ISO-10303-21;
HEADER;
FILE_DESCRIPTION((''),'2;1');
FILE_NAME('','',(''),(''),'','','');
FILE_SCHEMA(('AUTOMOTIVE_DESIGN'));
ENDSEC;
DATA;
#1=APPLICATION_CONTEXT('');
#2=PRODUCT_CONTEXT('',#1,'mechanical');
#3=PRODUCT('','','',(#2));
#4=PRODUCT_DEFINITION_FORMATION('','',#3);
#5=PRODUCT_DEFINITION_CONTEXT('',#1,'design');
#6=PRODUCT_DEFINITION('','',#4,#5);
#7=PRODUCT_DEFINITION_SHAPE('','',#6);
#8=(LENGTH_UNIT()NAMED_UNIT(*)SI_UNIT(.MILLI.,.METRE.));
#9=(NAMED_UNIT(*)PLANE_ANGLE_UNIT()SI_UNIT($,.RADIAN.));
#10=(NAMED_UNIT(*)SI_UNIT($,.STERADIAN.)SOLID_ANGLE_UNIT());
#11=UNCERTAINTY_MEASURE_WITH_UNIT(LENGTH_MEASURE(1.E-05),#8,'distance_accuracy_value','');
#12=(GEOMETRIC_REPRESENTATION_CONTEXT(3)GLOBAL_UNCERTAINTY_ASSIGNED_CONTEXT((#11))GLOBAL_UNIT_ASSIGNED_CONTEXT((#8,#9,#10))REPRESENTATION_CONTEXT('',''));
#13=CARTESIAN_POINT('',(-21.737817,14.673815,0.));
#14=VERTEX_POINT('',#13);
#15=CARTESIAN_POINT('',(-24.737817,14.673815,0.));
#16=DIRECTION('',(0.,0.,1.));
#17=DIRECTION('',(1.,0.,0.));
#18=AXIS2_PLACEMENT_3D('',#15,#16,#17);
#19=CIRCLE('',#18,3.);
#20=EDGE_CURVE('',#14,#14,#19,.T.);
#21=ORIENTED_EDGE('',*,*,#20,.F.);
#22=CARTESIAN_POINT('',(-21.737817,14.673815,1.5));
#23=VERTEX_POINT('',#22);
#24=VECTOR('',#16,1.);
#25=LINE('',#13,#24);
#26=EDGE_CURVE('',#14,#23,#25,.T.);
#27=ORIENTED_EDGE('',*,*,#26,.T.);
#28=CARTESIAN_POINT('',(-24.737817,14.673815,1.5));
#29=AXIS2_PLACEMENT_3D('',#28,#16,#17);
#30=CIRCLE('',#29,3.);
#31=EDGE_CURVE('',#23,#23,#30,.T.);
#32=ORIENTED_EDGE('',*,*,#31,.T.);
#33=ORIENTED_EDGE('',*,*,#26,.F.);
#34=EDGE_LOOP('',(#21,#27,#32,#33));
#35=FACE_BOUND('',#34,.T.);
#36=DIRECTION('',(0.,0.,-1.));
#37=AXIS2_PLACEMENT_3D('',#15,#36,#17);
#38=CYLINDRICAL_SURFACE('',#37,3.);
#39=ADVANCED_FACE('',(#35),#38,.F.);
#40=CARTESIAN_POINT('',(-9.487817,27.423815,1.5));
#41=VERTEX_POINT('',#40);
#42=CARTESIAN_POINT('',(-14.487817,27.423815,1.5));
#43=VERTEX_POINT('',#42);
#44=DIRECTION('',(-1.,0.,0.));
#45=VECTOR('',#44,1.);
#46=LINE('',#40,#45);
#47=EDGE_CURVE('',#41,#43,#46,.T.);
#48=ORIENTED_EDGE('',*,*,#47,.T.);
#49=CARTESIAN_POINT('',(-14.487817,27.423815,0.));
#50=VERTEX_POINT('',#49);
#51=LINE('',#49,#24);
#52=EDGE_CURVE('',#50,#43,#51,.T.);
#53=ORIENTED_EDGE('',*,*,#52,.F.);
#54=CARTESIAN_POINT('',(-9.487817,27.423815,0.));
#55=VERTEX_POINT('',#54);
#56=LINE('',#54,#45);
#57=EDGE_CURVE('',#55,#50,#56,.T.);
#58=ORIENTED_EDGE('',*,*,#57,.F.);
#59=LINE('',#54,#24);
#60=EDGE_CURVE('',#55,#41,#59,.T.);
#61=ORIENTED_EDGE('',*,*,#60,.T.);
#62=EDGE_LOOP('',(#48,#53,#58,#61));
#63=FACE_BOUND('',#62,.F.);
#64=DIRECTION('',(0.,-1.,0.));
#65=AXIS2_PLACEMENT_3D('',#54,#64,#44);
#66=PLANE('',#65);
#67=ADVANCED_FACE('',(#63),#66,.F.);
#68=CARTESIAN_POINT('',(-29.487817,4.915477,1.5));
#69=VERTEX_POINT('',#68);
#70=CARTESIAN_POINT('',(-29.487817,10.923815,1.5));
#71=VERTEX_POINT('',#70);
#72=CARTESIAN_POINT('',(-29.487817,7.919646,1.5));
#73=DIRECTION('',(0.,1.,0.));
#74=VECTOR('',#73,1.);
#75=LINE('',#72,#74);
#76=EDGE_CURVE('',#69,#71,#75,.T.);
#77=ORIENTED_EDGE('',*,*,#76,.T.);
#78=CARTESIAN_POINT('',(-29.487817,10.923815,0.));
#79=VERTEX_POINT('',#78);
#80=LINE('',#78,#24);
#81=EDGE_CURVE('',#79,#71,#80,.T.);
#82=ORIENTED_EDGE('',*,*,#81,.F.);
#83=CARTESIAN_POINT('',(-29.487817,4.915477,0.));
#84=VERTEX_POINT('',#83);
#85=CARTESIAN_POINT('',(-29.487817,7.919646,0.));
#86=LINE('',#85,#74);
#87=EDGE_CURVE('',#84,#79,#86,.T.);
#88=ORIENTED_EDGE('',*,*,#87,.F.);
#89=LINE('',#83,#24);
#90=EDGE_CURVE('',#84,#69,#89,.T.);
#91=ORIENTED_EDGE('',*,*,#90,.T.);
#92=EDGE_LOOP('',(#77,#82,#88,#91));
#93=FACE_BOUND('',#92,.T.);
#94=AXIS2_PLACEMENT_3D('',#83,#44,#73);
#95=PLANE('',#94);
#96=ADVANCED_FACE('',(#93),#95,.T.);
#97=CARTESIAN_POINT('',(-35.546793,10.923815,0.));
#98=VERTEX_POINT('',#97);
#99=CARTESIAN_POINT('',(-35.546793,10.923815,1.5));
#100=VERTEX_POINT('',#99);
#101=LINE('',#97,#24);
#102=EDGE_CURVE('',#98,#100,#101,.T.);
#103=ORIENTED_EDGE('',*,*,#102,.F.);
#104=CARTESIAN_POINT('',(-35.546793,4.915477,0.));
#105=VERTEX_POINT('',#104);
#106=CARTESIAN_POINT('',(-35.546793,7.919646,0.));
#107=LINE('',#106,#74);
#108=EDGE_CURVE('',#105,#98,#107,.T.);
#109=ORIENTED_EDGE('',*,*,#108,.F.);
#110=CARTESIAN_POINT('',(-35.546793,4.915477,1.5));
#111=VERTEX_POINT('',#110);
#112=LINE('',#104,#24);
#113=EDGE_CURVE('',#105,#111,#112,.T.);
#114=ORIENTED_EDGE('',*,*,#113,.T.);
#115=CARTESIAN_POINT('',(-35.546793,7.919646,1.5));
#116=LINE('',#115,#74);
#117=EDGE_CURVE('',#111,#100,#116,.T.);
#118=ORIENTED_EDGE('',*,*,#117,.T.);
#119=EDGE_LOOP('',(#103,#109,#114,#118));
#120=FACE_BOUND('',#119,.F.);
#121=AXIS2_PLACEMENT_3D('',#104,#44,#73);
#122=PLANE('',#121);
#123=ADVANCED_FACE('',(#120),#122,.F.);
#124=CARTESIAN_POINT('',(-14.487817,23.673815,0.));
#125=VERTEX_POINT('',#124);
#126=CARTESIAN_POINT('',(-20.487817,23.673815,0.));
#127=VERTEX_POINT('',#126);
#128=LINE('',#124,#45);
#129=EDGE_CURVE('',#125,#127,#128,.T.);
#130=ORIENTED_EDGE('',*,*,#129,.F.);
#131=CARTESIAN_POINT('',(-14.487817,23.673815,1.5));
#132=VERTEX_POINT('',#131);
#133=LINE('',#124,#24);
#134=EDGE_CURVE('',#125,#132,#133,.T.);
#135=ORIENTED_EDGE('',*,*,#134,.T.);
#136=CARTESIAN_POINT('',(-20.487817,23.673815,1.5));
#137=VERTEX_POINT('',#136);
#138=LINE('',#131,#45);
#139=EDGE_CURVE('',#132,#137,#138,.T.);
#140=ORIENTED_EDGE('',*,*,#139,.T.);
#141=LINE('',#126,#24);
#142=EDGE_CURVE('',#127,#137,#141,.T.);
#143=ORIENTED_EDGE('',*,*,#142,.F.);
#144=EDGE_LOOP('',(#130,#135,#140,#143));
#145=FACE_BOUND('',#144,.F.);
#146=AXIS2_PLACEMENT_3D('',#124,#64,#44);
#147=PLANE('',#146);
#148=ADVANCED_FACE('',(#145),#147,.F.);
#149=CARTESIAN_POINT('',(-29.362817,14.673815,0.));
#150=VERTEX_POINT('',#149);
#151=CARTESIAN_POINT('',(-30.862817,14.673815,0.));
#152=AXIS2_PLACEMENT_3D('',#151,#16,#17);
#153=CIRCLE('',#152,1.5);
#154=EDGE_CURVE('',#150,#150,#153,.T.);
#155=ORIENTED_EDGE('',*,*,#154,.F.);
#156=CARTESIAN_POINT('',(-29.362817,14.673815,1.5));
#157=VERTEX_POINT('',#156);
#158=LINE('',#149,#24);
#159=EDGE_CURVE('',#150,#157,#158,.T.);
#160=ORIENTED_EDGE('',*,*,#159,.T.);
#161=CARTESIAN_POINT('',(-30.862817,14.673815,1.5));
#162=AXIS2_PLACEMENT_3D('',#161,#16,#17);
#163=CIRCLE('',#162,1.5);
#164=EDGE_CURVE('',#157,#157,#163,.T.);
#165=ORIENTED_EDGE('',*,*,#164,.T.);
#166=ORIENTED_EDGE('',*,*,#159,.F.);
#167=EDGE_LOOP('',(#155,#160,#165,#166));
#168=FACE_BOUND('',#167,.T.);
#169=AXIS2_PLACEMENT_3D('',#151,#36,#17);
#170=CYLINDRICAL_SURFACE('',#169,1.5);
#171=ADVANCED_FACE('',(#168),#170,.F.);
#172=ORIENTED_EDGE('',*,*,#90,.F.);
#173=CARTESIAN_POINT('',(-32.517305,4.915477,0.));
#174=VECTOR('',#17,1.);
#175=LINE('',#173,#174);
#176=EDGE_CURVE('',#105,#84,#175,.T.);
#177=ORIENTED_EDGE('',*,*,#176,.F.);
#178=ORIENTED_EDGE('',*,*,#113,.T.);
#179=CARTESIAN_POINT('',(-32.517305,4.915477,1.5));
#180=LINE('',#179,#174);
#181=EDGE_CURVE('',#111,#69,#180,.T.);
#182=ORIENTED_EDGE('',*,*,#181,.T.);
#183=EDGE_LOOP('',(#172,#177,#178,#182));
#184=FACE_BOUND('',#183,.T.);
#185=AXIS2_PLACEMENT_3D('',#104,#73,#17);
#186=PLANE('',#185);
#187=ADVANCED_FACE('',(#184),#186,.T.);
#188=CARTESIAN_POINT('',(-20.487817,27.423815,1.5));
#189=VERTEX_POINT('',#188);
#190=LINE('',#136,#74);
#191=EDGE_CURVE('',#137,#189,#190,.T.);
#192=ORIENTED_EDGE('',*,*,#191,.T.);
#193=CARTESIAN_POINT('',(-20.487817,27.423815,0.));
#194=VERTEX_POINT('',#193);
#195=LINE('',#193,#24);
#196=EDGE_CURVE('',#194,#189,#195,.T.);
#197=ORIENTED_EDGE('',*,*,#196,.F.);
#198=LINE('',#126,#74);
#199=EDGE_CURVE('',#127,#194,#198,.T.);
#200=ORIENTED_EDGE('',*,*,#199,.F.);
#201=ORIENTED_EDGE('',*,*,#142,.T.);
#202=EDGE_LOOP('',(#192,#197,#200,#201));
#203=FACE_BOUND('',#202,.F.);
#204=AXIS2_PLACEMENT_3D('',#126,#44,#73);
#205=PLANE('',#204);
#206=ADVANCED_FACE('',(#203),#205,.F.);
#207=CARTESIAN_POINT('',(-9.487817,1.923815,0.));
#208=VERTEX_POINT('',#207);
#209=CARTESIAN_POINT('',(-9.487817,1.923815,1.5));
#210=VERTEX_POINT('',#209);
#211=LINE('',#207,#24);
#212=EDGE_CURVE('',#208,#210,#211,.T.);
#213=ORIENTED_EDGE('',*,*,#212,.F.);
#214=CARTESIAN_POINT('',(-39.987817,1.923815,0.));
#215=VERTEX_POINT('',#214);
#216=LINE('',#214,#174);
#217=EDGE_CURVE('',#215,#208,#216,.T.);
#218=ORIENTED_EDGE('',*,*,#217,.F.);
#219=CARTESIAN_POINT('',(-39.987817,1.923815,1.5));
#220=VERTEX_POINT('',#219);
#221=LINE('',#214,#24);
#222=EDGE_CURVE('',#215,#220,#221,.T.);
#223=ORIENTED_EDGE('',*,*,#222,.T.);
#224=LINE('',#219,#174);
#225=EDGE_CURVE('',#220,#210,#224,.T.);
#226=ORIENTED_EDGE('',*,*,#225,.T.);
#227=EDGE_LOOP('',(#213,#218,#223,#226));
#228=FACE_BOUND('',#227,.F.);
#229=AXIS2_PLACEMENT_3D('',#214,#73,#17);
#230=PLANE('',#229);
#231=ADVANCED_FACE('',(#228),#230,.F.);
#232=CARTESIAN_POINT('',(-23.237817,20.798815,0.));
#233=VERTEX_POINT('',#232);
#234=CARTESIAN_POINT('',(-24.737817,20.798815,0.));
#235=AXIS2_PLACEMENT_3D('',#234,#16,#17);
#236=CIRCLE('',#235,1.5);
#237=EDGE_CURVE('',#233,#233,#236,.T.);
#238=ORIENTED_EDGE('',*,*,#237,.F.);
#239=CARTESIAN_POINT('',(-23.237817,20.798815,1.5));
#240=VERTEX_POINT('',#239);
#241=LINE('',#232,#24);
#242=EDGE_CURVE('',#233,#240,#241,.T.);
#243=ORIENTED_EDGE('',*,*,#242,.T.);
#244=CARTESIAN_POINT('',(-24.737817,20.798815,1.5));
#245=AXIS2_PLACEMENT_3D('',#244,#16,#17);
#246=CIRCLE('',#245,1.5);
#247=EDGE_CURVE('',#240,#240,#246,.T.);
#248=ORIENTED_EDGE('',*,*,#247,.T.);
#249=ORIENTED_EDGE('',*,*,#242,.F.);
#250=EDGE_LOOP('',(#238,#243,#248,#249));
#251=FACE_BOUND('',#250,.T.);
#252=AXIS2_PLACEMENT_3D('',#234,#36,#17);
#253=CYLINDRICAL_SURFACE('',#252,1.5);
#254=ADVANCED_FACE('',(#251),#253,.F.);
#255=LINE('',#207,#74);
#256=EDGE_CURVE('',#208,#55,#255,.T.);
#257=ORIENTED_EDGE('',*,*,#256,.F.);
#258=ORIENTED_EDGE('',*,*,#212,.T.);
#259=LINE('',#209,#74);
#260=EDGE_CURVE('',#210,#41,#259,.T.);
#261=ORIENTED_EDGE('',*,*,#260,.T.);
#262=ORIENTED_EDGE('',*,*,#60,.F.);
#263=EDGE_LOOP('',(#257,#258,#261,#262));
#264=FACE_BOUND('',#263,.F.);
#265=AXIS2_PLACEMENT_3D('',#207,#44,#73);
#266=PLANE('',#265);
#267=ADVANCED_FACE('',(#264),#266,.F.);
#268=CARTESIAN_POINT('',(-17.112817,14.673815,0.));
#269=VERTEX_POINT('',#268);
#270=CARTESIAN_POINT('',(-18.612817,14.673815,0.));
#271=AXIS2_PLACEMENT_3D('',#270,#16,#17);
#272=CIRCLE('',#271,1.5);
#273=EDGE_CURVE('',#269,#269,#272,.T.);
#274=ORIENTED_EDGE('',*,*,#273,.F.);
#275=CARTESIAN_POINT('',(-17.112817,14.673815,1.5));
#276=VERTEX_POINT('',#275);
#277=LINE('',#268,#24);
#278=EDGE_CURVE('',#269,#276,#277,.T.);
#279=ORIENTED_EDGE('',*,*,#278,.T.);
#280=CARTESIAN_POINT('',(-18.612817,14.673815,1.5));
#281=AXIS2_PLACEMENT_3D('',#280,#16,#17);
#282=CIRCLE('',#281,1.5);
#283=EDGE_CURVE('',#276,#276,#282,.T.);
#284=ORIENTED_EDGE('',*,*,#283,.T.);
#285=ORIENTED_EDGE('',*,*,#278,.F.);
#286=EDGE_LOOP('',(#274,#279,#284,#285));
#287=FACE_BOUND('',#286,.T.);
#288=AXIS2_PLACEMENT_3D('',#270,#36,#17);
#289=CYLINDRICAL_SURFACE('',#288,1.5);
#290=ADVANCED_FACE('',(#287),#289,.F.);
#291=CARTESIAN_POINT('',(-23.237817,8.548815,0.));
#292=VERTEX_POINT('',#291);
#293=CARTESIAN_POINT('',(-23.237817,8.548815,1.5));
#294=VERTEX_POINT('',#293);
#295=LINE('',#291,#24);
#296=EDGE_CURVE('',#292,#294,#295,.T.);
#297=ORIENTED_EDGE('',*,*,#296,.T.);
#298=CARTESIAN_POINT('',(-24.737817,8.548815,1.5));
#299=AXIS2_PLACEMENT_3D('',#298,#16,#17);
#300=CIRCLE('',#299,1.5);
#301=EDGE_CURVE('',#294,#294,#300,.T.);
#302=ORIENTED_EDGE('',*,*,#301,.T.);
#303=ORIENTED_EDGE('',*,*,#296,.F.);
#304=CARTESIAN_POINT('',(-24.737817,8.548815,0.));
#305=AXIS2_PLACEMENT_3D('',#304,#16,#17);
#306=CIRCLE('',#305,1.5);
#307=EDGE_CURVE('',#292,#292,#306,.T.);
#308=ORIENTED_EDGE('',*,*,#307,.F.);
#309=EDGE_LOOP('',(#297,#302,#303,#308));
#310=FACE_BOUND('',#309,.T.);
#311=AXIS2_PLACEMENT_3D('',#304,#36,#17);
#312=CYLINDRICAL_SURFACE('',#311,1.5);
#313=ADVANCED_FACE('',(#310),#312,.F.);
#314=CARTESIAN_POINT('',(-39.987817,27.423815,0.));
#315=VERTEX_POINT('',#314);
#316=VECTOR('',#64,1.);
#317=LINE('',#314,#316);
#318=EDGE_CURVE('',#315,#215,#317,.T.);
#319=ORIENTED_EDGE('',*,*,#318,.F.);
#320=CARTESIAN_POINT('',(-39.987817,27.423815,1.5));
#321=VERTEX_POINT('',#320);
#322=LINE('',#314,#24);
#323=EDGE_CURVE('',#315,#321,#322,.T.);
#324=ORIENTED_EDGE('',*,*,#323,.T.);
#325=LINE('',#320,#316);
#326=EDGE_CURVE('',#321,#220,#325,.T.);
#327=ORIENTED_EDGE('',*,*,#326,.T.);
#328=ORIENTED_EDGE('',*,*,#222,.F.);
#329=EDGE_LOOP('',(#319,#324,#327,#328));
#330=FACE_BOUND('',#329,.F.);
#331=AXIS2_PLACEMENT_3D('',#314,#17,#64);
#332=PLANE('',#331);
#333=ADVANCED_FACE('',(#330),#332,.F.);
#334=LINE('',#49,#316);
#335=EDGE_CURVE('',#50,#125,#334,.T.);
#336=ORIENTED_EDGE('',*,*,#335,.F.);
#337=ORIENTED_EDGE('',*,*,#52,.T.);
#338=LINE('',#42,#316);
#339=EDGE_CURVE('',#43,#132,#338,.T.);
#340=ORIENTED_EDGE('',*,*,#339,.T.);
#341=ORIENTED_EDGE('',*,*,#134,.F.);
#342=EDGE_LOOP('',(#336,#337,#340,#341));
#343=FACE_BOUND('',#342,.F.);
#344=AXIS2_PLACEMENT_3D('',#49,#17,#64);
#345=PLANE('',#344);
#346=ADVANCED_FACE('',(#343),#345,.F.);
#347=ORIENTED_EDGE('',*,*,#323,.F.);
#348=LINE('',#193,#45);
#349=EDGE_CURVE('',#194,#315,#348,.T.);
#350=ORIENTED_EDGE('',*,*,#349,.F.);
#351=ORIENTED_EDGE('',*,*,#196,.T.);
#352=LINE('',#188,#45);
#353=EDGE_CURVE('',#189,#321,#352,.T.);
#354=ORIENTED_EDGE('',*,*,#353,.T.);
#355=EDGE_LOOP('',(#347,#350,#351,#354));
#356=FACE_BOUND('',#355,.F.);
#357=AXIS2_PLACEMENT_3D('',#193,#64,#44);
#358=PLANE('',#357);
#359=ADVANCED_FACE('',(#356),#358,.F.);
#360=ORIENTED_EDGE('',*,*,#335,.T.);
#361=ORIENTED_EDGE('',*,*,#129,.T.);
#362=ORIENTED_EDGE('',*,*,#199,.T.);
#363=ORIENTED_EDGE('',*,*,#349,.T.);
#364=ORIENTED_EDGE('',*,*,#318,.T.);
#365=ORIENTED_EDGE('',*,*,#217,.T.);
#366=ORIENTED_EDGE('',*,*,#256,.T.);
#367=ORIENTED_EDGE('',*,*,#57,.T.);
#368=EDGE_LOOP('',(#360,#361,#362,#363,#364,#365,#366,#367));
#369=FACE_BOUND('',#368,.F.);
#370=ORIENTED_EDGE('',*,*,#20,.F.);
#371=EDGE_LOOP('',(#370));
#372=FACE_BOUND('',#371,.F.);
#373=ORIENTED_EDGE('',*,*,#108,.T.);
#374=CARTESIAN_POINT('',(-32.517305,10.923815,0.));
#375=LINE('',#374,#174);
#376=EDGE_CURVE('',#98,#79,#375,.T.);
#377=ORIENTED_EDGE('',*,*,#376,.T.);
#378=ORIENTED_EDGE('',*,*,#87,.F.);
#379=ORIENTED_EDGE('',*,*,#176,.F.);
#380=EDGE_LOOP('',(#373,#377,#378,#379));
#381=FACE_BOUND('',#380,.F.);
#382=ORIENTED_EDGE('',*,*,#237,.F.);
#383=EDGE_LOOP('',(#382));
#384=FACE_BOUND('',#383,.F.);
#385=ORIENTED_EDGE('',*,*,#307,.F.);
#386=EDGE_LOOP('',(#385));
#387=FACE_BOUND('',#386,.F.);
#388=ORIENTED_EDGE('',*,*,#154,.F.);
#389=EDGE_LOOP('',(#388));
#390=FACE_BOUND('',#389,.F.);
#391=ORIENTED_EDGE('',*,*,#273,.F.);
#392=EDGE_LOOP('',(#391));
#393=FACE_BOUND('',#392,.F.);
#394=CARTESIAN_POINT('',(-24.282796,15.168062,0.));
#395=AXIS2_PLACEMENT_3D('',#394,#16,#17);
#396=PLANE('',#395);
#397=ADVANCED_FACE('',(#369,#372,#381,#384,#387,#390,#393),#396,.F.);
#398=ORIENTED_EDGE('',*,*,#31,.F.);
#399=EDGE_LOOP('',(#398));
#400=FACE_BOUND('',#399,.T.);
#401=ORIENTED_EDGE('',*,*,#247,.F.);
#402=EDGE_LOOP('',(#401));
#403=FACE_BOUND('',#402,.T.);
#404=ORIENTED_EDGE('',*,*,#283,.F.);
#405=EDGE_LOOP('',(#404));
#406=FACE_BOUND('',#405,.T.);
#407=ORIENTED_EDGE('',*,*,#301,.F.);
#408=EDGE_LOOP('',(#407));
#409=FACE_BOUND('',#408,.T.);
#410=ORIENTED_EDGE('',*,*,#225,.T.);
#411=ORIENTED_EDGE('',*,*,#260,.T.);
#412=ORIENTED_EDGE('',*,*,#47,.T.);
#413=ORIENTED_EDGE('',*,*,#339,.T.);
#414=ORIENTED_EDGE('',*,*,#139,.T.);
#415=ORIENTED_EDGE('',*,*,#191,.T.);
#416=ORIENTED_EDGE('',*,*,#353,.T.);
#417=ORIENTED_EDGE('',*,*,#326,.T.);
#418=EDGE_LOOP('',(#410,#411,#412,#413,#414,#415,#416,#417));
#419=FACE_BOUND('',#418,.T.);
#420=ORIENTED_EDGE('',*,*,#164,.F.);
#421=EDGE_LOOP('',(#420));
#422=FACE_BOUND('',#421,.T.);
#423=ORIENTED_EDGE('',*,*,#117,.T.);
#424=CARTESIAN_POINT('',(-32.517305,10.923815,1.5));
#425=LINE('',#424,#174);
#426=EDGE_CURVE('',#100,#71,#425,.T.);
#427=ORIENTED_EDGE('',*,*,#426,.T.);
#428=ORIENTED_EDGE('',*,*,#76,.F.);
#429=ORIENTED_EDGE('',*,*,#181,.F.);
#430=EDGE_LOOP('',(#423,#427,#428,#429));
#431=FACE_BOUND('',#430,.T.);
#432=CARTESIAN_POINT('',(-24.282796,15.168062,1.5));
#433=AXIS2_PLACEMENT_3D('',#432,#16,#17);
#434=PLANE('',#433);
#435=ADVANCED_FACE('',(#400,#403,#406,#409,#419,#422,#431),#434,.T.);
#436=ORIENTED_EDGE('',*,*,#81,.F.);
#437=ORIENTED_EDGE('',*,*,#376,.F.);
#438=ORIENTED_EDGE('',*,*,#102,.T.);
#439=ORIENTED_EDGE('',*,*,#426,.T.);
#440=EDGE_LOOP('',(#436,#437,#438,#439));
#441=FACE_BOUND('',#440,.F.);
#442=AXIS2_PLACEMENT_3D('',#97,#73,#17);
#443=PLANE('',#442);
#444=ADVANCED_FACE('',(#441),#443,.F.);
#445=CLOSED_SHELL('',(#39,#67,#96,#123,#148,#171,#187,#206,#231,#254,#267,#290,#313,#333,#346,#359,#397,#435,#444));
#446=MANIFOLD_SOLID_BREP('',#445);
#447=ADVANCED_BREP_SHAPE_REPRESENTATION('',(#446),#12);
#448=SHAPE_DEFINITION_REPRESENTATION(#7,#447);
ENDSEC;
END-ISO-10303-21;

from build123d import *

# Parameters (mm, degrees)
F0_W     = 6.058977
F0_H     = 6.008338
F0_R     = 1.5
F0_R_2   = 3
F1_DEPTH = 1.5


with BuildPart() as f1:
    # F0 (on Top) → F1 (new body)
    with BuildSketch(Plane.XY):
        Polygon((-39.987817, 27.423815), (-39.987817, 1.923815), (-9.487817, 1.923815), (-9.487817, 27.423815), (-14.487817, 27.423815), (-14.487817, 23.673815), (-20.487817, 23.673815), (-20.487817, 27.423815), align=None)
        with Locations((-32.517305, 7.919646)):
            Rectangle(F0_W, F0_H, mode=Mode.SUBTRACT)
        with Locations((-24.737817, 8.548815)):
            Circle(F0_R, mode=Mode.SUBTRACT)
        with Locations((-30.862817, 14.673815)):
            Circle(F0_R, mode=Mode.SUBTRACT)
        with Locations((-24.737817, 14.673815)):
            Circle(F0_R_2, mode=Mode.SUBTRACT)
        with Locations((-18.612817, 14.673815)):
            Circle(F0_R, mode=Mode.SUBTRACT)
        with Locations((-24.737817, 20.798815)):
            Circle(F0_R, mode=Mode.SUBTRACT)
    extrude(amount=F1_DEPTH)


solid = f1.part
